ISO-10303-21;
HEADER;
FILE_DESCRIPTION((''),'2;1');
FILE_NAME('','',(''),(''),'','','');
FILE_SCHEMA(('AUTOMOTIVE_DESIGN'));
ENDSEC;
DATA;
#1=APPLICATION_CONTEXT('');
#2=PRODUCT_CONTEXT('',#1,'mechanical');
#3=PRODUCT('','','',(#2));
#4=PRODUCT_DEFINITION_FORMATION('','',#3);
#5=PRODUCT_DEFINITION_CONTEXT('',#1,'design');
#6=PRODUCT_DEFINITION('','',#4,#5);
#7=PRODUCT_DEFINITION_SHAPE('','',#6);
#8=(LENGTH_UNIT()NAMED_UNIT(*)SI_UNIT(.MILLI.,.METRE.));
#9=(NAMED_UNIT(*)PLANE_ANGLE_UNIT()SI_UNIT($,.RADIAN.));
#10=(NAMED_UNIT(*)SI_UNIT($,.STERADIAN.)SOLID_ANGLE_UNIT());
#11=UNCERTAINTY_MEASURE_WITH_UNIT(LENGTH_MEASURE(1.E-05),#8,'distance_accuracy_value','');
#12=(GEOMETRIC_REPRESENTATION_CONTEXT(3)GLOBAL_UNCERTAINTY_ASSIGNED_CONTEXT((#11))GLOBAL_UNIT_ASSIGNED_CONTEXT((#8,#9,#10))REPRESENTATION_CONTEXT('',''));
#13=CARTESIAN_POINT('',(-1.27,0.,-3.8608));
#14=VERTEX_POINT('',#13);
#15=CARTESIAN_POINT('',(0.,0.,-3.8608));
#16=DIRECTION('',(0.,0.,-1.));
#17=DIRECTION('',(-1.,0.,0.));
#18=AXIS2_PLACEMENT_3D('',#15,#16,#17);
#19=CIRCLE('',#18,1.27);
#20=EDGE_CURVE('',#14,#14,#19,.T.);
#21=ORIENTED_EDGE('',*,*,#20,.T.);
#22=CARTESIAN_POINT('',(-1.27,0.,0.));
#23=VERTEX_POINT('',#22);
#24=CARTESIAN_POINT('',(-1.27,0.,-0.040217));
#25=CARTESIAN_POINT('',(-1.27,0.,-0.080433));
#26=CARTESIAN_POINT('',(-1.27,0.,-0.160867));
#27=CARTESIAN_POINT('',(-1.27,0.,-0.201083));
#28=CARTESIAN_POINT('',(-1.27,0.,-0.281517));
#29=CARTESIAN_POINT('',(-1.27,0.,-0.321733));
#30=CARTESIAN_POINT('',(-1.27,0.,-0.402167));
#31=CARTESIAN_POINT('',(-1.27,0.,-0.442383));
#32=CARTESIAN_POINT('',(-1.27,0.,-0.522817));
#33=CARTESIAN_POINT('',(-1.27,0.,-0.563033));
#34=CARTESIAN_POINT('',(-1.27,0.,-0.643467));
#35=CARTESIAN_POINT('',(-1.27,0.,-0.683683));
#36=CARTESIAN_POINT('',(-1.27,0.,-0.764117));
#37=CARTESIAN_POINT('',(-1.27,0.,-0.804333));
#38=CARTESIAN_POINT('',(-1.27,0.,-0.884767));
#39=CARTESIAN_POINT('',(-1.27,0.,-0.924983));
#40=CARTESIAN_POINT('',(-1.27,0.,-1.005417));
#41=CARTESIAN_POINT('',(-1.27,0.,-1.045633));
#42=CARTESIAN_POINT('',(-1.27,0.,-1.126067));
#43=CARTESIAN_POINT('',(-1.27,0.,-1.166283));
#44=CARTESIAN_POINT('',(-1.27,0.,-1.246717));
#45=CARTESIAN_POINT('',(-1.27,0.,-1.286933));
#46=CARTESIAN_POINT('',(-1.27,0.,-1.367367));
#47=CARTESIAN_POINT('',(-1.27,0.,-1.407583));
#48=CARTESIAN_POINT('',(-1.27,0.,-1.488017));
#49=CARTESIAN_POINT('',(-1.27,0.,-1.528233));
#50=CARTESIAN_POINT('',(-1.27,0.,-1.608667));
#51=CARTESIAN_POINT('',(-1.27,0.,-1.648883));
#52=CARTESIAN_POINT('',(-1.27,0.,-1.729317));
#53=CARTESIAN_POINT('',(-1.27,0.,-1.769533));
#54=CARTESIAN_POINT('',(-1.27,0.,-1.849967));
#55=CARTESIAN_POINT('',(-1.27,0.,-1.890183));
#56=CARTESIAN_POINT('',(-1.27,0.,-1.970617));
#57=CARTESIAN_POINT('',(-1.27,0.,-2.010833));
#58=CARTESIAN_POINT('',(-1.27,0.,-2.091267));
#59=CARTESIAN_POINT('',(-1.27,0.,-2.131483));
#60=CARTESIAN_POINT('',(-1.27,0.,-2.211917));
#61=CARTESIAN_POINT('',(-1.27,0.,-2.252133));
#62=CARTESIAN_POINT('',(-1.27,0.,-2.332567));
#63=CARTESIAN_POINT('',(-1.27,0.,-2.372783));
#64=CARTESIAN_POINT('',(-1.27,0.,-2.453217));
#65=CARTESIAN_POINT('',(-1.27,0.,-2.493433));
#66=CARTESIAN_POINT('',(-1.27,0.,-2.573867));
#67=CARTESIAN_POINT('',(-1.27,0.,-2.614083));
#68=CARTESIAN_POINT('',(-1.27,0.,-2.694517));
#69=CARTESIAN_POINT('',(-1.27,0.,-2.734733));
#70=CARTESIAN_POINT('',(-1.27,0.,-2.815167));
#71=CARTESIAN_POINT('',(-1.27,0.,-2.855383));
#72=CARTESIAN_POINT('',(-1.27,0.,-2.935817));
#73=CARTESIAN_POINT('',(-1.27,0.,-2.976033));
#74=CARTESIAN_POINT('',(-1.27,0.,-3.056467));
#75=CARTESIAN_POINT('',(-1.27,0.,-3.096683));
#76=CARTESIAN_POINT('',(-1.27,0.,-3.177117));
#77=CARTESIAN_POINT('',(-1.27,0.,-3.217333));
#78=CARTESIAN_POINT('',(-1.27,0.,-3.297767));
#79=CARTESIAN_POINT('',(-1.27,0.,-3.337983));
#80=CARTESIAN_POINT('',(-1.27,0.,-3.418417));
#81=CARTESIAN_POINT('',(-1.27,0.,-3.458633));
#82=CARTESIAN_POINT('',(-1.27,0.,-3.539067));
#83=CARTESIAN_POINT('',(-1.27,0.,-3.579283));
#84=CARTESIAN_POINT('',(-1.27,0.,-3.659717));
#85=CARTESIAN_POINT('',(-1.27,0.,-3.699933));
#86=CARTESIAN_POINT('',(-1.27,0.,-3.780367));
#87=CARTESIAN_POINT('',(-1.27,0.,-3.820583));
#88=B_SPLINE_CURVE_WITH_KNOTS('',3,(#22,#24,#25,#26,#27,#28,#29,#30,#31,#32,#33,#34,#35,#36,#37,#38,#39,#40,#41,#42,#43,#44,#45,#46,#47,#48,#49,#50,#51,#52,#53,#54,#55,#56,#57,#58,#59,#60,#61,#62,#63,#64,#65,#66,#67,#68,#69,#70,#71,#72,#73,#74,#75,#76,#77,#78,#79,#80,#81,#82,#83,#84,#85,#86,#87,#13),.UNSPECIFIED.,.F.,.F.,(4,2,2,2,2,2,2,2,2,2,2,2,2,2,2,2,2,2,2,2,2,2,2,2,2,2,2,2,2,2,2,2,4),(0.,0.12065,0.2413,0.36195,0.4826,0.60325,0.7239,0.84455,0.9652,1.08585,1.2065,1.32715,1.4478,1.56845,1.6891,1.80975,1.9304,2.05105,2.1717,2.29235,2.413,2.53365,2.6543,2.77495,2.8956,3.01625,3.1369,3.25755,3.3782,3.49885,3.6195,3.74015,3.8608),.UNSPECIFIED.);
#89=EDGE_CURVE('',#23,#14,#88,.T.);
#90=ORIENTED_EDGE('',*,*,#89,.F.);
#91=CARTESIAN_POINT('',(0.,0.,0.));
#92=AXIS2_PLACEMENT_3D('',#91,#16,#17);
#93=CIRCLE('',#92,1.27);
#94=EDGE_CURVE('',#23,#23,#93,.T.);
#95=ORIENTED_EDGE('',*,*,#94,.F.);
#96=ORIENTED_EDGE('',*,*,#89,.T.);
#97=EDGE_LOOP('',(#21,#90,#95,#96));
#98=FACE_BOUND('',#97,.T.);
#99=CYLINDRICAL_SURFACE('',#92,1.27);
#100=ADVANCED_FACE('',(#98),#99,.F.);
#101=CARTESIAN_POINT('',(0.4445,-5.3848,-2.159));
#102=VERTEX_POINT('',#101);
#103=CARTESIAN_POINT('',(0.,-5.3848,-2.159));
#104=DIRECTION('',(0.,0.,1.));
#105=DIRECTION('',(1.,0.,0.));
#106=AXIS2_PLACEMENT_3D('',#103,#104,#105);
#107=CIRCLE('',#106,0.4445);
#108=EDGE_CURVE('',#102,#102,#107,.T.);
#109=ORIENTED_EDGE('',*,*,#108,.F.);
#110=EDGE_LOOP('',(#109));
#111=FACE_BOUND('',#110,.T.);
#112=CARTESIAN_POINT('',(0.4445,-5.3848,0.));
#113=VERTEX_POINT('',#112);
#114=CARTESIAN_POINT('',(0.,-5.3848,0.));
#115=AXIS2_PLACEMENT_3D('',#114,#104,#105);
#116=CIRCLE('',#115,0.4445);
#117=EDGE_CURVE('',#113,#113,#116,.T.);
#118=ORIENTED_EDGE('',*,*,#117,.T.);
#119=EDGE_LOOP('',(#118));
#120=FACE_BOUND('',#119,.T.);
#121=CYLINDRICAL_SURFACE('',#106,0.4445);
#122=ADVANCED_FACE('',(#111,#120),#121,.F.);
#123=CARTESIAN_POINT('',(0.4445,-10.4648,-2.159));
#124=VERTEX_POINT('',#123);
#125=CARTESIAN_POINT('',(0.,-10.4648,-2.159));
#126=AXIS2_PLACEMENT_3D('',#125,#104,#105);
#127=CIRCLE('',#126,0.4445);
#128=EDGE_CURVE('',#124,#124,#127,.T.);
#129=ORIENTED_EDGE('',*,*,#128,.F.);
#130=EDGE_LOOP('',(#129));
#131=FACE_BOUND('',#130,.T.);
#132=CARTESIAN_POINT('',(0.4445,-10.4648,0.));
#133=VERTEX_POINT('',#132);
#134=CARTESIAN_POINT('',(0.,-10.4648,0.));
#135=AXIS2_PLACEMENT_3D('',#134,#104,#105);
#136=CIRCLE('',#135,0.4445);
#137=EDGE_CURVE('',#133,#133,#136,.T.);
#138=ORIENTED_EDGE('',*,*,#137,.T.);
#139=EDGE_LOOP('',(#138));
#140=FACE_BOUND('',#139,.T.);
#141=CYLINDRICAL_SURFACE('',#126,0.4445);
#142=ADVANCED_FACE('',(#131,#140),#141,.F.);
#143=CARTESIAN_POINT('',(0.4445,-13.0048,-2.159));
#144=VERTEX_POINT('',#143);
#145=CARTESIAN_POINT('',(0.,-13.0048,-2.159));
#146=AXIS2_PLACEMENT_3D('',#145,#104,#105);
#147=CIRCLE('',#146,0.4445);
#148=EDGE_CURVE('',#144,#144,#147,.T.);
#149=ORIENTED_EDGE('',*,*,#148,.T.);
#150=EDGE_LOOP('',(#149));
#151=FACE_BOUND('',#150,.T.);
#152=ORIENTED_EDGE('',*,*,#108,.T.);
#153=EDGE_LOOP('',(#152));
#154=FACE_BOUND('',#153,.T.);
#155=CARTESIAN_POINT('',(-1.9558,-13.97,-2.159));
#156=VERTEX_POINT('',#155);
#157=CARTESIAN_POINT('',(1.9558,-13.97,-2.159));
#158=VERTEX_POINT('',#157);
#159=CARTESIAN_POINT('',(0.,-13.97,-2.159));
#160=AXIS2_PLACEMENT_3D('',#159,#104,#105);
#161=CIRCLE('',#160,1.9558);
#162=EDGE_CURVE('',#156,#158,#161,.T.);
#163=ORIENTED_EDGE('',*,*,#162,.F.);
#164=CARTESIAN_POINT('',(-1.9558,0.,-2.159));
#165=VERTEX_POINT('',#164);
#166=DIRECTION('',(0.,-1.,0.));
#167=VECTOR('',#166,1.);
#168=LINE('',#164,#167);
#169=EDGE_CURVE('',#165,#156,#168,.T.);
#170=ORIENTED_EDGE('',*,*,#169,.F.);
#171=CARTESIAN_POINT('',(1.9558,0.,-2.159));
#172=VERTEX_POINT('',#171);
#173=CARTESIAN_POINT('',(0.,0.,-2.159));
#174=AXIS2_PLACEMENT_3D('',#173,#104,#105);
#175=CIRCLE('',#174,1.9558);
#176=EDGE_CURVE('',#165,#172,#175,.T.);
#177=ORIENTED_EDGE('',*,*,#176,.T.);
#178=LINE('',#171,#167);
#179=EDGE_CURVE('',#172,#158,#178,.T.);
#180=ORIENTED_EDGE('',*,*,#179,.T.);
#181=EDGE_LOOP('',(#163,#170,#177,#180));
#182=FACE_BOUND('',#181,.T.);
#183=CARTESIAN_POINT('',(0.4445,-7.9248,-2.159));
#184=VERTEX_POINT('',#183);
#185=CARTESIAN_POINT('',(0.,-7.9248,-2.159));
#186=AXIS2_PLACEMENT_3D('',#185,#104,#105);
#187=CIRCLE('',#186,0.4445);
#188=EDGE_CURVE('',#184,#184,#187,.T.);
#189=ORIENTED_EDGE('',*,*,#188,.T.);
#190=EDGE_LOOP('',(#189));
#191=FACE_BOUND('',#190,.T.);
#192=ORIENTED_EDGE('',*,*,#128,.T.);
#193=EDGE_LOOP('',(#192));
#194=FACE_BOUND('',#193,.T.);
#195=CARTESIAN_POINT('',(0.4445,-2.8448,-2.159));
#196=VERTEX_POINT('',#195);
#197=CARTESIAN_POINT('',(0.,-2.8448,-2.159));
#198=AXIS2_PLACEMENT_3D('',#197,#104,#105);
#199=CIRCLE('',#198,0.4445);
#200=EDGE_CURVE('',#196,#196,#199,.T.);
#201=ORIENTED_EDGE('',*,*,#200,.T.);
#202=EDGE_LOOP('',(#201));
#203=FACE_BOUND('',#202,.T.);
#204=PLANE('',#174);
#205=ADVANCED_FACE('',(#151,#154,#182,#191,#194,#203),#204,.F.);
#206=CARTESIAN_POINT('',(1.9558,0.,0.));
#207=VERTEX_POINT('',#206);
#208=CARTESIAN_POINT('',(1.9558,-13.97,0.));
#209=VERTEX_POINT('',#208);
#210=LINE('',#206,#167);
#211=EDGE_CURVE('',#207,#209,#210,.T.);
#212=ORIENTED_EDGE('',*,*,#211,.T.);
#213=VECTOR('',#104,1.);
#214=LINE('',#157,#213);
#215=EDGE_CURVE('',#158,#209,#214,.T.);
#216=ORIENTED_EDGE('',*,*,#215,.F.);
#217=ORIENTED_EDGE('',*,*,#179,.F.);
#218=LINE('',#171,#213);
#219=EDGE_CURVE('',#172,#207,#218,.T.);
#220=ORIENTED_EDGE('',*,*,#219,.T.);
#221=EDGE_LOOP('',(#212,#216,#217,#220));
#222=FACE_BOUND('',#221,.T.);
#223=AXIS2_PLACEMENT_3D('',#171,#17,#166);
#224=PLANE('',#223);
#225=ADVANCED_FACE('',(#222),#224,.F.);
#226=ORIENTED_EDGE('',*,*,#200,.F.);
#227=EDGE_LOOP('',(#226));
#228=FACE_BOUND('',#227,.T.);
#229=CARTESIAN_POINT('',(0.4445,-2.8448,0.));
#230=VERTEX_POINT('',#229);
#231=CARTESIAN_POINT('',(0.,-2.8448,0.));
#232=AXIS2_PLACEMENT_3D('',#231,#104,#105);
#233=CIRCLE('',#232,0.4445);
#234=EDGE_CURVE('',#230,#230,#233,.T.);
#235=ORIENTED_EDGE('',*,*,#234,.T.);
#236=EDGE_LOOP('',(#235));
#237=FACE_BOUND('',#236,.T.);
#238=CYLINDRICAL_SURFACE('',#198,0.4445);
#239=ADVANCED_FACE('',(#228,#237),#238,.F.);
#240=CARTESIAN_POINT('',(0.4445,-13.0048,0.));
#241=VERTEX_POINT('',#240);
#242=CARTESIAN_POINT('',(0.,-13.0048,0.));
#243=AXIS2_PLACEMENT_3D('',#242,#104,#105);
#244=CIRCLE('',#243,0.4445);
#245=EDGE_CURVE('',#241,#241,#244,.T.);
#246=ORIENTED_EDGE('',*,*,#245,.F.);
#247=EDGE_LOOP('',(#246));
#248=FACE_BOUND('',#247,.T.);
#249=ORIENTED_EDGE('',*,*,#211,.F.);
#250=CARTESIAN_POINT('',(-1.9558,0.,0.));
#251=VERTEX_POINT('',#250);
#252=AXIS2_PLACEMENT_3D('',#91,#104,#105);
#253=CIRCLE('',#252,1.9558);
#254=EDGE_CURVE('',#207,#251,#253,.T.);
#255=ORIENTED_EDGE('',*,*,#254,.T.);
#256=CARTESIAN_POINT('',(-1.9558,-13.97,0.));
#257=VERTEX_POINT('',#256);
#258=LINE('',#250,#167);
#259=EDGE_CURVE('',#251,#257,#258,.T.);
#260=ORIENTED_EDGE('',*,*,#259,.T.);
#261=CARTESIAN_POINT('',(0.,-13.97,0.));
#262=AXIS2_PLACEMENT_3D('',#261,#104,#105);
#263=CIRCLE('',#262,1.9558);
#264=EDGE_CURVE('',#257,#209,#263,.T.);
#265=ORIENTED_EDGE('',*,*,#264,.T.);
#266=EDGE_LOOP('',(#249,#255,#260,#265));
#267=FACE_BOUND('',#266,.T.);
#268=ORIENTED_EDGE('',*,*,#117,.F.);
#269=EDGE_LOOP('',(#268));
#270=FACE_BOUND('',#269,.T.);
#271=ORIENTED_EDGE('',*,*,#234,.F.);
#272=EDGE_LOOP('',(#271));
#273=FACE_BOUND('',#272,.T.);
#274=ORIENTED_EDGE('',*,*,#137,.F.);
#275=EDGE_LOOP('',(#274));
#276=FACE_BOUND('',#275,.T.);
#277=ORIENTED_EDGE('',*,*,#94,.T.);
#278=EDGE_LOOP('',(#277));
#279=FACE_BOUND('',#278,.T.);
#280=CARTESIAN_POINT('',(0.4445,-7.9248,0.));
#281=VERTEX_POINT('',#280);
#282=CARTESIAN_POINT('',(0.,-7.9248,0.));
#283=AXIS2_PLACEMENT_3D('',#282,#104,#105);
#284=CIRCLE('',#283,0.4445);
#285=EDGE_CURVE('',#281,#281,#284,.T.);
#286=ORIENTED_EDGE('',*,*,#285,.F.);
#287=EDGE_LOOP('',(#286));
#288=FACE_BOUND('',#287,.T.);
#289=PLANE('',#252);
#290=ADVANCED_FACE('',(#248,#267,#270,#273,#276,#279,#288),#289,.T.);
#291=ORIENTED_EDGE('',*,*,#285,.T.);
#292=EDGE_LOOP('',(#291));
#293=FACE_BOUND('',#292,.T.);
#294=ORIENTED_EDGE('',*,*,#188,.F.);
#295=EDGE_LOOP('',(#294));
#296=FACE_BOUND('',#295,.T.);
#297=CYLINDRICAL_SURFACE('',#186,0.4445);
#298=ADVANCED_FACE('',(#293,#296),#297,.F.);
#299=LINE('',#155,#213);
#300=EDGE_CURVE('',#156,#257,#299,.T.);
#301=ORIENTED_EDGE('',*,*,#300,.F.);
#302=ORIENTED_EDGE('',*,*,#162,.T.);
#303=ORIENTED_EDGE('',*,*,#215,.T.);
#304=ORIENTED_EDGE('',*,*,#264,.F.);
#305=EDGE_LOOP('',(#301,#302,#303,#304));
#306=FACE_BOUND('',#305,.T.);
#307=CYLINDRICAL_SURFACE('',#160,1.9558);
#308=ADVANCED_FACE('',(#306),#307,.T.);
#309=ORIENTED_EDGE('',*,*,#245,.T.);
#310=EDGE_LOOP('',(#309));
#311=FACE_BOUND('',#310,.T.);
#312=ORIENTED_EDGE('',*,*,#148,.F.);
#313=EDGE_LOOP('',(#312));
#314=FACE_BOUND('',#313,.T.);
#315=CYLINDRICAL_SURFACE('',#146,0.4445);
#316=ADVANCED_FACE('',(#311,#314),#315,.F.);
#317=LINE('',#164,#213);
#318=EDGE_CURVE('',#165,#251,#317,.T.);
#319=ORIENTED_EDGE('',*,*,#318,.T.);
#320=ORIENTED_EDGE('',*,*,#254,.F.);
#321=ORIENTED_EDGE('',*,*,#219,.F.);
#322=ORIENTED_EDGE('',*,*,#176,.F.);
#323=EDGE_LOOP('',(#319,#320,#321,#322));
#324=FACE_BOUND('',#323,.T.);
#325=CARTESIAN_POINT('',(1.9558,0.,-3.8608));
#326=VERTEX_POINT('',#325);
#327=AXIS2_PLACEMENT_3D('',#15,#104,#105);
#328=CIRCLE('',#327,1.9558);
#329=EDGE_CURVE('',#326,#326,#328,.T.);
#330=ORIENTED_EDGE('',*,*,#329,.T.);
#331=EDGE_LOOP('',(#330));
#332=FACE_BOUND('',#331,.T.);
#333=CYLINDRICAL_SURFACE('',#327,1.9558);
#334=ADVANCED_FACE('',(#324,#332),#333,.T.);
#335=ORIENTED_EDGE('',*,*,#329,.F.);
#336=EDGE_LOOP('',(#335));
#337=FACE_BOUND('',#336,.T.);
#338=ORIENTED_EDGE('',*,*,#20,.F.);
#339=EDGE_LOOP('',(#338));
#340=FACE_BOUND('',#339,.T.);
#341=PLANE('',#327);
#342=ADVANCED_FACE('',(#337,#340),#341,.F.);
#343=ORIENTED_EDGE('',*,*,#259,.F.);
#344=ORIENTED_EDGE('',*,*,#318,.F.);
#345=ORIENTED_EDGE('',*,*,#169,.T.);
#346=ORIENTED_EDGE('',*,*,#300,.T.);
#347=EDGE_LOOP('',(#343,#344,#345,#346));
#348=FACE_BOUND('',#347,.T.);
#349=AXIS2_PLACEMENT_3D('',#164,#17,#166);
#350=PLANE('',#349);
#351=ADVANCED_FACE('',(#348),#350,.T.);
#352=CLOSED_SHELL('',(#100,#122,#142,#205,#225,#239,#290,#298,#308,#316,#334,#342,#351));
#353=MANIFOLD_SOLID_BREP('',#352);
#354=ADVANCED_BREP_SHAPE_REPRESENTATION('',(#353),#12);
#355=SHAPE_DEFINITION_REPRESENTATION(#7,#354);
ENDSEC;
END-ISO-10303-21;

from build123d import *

# Parameters (mm, degrees)
SKETCH1_R           = 0.4445
BOSS_EXTRUDE1_DEPTH = 2.159
SKETCH1_3_R         = 1.9558
BOSS_EXTRUDE2_DEPTH = 3.8608
SKETCH2_R           = 1.27
CUT_EXTRUDE1_DEPTH  = 17.503394679


with BuildPart() as part:
    # Sketch1 → Boss-Extrude1 (new body)
    with BuildSketch(Plane.XY):
        with BuildLine():
            Line((1.9558, -13.97), (1.9558, 0))
            ThreePointArc((1.9558, 0), (0, -1.9558), (-1.9558, 0))
            Line((-1.9558, 0), (-1.9558, -13.97))
            ThreePointArc((-1.9558, -13.97), (0, -15.9258), (1.9558, -13.97))
        make_face()
        with Locations((0, -10.4648)):
            Circle(SKETCH1_R, mode=Mode.SUBTRACT)
        with Locations((0, -7.9248)):
            Circle(SKETCH1_R, mode=Mode.SUBTRACT)
        with Locations((0, -13.0048)):
            Circle(SKETCH1_R, mode=Mode.SUBTRACT)
        with Locations((0, -5.3848)):
            Circle(SKETCH1_R, mode=Mode.SUBTRACT)
        with Locations((0, -2.8448)):
            Circle(SKETCH1_R, mode=Mode.SUBTRACT)
    extrude(amount=-BOSS_EXTRUDE1_DEPTH)

    # Sketch1<3> → Boss-Extrude2 (add)
    with BuildSketch(Plane.XY):
        Circle(SKETCH1_3_R)
    extrude(amount=-BOSS_EXTRUDE2_DEPTH)

    # Sketch2 → Cut-Extrude1 (cut, through all)
    with BuildSketch(Plane(origin=(0, 0, -3.8608), x_dir=(-1, 0, 0), z_dir=(0, 0, -1))):
        Circle(SKETCH2_R)
    extrude(amount=-CUT_EXTRUDE1_DEPTH, mode=Mode.SUBTRACT)


solid = part.part
